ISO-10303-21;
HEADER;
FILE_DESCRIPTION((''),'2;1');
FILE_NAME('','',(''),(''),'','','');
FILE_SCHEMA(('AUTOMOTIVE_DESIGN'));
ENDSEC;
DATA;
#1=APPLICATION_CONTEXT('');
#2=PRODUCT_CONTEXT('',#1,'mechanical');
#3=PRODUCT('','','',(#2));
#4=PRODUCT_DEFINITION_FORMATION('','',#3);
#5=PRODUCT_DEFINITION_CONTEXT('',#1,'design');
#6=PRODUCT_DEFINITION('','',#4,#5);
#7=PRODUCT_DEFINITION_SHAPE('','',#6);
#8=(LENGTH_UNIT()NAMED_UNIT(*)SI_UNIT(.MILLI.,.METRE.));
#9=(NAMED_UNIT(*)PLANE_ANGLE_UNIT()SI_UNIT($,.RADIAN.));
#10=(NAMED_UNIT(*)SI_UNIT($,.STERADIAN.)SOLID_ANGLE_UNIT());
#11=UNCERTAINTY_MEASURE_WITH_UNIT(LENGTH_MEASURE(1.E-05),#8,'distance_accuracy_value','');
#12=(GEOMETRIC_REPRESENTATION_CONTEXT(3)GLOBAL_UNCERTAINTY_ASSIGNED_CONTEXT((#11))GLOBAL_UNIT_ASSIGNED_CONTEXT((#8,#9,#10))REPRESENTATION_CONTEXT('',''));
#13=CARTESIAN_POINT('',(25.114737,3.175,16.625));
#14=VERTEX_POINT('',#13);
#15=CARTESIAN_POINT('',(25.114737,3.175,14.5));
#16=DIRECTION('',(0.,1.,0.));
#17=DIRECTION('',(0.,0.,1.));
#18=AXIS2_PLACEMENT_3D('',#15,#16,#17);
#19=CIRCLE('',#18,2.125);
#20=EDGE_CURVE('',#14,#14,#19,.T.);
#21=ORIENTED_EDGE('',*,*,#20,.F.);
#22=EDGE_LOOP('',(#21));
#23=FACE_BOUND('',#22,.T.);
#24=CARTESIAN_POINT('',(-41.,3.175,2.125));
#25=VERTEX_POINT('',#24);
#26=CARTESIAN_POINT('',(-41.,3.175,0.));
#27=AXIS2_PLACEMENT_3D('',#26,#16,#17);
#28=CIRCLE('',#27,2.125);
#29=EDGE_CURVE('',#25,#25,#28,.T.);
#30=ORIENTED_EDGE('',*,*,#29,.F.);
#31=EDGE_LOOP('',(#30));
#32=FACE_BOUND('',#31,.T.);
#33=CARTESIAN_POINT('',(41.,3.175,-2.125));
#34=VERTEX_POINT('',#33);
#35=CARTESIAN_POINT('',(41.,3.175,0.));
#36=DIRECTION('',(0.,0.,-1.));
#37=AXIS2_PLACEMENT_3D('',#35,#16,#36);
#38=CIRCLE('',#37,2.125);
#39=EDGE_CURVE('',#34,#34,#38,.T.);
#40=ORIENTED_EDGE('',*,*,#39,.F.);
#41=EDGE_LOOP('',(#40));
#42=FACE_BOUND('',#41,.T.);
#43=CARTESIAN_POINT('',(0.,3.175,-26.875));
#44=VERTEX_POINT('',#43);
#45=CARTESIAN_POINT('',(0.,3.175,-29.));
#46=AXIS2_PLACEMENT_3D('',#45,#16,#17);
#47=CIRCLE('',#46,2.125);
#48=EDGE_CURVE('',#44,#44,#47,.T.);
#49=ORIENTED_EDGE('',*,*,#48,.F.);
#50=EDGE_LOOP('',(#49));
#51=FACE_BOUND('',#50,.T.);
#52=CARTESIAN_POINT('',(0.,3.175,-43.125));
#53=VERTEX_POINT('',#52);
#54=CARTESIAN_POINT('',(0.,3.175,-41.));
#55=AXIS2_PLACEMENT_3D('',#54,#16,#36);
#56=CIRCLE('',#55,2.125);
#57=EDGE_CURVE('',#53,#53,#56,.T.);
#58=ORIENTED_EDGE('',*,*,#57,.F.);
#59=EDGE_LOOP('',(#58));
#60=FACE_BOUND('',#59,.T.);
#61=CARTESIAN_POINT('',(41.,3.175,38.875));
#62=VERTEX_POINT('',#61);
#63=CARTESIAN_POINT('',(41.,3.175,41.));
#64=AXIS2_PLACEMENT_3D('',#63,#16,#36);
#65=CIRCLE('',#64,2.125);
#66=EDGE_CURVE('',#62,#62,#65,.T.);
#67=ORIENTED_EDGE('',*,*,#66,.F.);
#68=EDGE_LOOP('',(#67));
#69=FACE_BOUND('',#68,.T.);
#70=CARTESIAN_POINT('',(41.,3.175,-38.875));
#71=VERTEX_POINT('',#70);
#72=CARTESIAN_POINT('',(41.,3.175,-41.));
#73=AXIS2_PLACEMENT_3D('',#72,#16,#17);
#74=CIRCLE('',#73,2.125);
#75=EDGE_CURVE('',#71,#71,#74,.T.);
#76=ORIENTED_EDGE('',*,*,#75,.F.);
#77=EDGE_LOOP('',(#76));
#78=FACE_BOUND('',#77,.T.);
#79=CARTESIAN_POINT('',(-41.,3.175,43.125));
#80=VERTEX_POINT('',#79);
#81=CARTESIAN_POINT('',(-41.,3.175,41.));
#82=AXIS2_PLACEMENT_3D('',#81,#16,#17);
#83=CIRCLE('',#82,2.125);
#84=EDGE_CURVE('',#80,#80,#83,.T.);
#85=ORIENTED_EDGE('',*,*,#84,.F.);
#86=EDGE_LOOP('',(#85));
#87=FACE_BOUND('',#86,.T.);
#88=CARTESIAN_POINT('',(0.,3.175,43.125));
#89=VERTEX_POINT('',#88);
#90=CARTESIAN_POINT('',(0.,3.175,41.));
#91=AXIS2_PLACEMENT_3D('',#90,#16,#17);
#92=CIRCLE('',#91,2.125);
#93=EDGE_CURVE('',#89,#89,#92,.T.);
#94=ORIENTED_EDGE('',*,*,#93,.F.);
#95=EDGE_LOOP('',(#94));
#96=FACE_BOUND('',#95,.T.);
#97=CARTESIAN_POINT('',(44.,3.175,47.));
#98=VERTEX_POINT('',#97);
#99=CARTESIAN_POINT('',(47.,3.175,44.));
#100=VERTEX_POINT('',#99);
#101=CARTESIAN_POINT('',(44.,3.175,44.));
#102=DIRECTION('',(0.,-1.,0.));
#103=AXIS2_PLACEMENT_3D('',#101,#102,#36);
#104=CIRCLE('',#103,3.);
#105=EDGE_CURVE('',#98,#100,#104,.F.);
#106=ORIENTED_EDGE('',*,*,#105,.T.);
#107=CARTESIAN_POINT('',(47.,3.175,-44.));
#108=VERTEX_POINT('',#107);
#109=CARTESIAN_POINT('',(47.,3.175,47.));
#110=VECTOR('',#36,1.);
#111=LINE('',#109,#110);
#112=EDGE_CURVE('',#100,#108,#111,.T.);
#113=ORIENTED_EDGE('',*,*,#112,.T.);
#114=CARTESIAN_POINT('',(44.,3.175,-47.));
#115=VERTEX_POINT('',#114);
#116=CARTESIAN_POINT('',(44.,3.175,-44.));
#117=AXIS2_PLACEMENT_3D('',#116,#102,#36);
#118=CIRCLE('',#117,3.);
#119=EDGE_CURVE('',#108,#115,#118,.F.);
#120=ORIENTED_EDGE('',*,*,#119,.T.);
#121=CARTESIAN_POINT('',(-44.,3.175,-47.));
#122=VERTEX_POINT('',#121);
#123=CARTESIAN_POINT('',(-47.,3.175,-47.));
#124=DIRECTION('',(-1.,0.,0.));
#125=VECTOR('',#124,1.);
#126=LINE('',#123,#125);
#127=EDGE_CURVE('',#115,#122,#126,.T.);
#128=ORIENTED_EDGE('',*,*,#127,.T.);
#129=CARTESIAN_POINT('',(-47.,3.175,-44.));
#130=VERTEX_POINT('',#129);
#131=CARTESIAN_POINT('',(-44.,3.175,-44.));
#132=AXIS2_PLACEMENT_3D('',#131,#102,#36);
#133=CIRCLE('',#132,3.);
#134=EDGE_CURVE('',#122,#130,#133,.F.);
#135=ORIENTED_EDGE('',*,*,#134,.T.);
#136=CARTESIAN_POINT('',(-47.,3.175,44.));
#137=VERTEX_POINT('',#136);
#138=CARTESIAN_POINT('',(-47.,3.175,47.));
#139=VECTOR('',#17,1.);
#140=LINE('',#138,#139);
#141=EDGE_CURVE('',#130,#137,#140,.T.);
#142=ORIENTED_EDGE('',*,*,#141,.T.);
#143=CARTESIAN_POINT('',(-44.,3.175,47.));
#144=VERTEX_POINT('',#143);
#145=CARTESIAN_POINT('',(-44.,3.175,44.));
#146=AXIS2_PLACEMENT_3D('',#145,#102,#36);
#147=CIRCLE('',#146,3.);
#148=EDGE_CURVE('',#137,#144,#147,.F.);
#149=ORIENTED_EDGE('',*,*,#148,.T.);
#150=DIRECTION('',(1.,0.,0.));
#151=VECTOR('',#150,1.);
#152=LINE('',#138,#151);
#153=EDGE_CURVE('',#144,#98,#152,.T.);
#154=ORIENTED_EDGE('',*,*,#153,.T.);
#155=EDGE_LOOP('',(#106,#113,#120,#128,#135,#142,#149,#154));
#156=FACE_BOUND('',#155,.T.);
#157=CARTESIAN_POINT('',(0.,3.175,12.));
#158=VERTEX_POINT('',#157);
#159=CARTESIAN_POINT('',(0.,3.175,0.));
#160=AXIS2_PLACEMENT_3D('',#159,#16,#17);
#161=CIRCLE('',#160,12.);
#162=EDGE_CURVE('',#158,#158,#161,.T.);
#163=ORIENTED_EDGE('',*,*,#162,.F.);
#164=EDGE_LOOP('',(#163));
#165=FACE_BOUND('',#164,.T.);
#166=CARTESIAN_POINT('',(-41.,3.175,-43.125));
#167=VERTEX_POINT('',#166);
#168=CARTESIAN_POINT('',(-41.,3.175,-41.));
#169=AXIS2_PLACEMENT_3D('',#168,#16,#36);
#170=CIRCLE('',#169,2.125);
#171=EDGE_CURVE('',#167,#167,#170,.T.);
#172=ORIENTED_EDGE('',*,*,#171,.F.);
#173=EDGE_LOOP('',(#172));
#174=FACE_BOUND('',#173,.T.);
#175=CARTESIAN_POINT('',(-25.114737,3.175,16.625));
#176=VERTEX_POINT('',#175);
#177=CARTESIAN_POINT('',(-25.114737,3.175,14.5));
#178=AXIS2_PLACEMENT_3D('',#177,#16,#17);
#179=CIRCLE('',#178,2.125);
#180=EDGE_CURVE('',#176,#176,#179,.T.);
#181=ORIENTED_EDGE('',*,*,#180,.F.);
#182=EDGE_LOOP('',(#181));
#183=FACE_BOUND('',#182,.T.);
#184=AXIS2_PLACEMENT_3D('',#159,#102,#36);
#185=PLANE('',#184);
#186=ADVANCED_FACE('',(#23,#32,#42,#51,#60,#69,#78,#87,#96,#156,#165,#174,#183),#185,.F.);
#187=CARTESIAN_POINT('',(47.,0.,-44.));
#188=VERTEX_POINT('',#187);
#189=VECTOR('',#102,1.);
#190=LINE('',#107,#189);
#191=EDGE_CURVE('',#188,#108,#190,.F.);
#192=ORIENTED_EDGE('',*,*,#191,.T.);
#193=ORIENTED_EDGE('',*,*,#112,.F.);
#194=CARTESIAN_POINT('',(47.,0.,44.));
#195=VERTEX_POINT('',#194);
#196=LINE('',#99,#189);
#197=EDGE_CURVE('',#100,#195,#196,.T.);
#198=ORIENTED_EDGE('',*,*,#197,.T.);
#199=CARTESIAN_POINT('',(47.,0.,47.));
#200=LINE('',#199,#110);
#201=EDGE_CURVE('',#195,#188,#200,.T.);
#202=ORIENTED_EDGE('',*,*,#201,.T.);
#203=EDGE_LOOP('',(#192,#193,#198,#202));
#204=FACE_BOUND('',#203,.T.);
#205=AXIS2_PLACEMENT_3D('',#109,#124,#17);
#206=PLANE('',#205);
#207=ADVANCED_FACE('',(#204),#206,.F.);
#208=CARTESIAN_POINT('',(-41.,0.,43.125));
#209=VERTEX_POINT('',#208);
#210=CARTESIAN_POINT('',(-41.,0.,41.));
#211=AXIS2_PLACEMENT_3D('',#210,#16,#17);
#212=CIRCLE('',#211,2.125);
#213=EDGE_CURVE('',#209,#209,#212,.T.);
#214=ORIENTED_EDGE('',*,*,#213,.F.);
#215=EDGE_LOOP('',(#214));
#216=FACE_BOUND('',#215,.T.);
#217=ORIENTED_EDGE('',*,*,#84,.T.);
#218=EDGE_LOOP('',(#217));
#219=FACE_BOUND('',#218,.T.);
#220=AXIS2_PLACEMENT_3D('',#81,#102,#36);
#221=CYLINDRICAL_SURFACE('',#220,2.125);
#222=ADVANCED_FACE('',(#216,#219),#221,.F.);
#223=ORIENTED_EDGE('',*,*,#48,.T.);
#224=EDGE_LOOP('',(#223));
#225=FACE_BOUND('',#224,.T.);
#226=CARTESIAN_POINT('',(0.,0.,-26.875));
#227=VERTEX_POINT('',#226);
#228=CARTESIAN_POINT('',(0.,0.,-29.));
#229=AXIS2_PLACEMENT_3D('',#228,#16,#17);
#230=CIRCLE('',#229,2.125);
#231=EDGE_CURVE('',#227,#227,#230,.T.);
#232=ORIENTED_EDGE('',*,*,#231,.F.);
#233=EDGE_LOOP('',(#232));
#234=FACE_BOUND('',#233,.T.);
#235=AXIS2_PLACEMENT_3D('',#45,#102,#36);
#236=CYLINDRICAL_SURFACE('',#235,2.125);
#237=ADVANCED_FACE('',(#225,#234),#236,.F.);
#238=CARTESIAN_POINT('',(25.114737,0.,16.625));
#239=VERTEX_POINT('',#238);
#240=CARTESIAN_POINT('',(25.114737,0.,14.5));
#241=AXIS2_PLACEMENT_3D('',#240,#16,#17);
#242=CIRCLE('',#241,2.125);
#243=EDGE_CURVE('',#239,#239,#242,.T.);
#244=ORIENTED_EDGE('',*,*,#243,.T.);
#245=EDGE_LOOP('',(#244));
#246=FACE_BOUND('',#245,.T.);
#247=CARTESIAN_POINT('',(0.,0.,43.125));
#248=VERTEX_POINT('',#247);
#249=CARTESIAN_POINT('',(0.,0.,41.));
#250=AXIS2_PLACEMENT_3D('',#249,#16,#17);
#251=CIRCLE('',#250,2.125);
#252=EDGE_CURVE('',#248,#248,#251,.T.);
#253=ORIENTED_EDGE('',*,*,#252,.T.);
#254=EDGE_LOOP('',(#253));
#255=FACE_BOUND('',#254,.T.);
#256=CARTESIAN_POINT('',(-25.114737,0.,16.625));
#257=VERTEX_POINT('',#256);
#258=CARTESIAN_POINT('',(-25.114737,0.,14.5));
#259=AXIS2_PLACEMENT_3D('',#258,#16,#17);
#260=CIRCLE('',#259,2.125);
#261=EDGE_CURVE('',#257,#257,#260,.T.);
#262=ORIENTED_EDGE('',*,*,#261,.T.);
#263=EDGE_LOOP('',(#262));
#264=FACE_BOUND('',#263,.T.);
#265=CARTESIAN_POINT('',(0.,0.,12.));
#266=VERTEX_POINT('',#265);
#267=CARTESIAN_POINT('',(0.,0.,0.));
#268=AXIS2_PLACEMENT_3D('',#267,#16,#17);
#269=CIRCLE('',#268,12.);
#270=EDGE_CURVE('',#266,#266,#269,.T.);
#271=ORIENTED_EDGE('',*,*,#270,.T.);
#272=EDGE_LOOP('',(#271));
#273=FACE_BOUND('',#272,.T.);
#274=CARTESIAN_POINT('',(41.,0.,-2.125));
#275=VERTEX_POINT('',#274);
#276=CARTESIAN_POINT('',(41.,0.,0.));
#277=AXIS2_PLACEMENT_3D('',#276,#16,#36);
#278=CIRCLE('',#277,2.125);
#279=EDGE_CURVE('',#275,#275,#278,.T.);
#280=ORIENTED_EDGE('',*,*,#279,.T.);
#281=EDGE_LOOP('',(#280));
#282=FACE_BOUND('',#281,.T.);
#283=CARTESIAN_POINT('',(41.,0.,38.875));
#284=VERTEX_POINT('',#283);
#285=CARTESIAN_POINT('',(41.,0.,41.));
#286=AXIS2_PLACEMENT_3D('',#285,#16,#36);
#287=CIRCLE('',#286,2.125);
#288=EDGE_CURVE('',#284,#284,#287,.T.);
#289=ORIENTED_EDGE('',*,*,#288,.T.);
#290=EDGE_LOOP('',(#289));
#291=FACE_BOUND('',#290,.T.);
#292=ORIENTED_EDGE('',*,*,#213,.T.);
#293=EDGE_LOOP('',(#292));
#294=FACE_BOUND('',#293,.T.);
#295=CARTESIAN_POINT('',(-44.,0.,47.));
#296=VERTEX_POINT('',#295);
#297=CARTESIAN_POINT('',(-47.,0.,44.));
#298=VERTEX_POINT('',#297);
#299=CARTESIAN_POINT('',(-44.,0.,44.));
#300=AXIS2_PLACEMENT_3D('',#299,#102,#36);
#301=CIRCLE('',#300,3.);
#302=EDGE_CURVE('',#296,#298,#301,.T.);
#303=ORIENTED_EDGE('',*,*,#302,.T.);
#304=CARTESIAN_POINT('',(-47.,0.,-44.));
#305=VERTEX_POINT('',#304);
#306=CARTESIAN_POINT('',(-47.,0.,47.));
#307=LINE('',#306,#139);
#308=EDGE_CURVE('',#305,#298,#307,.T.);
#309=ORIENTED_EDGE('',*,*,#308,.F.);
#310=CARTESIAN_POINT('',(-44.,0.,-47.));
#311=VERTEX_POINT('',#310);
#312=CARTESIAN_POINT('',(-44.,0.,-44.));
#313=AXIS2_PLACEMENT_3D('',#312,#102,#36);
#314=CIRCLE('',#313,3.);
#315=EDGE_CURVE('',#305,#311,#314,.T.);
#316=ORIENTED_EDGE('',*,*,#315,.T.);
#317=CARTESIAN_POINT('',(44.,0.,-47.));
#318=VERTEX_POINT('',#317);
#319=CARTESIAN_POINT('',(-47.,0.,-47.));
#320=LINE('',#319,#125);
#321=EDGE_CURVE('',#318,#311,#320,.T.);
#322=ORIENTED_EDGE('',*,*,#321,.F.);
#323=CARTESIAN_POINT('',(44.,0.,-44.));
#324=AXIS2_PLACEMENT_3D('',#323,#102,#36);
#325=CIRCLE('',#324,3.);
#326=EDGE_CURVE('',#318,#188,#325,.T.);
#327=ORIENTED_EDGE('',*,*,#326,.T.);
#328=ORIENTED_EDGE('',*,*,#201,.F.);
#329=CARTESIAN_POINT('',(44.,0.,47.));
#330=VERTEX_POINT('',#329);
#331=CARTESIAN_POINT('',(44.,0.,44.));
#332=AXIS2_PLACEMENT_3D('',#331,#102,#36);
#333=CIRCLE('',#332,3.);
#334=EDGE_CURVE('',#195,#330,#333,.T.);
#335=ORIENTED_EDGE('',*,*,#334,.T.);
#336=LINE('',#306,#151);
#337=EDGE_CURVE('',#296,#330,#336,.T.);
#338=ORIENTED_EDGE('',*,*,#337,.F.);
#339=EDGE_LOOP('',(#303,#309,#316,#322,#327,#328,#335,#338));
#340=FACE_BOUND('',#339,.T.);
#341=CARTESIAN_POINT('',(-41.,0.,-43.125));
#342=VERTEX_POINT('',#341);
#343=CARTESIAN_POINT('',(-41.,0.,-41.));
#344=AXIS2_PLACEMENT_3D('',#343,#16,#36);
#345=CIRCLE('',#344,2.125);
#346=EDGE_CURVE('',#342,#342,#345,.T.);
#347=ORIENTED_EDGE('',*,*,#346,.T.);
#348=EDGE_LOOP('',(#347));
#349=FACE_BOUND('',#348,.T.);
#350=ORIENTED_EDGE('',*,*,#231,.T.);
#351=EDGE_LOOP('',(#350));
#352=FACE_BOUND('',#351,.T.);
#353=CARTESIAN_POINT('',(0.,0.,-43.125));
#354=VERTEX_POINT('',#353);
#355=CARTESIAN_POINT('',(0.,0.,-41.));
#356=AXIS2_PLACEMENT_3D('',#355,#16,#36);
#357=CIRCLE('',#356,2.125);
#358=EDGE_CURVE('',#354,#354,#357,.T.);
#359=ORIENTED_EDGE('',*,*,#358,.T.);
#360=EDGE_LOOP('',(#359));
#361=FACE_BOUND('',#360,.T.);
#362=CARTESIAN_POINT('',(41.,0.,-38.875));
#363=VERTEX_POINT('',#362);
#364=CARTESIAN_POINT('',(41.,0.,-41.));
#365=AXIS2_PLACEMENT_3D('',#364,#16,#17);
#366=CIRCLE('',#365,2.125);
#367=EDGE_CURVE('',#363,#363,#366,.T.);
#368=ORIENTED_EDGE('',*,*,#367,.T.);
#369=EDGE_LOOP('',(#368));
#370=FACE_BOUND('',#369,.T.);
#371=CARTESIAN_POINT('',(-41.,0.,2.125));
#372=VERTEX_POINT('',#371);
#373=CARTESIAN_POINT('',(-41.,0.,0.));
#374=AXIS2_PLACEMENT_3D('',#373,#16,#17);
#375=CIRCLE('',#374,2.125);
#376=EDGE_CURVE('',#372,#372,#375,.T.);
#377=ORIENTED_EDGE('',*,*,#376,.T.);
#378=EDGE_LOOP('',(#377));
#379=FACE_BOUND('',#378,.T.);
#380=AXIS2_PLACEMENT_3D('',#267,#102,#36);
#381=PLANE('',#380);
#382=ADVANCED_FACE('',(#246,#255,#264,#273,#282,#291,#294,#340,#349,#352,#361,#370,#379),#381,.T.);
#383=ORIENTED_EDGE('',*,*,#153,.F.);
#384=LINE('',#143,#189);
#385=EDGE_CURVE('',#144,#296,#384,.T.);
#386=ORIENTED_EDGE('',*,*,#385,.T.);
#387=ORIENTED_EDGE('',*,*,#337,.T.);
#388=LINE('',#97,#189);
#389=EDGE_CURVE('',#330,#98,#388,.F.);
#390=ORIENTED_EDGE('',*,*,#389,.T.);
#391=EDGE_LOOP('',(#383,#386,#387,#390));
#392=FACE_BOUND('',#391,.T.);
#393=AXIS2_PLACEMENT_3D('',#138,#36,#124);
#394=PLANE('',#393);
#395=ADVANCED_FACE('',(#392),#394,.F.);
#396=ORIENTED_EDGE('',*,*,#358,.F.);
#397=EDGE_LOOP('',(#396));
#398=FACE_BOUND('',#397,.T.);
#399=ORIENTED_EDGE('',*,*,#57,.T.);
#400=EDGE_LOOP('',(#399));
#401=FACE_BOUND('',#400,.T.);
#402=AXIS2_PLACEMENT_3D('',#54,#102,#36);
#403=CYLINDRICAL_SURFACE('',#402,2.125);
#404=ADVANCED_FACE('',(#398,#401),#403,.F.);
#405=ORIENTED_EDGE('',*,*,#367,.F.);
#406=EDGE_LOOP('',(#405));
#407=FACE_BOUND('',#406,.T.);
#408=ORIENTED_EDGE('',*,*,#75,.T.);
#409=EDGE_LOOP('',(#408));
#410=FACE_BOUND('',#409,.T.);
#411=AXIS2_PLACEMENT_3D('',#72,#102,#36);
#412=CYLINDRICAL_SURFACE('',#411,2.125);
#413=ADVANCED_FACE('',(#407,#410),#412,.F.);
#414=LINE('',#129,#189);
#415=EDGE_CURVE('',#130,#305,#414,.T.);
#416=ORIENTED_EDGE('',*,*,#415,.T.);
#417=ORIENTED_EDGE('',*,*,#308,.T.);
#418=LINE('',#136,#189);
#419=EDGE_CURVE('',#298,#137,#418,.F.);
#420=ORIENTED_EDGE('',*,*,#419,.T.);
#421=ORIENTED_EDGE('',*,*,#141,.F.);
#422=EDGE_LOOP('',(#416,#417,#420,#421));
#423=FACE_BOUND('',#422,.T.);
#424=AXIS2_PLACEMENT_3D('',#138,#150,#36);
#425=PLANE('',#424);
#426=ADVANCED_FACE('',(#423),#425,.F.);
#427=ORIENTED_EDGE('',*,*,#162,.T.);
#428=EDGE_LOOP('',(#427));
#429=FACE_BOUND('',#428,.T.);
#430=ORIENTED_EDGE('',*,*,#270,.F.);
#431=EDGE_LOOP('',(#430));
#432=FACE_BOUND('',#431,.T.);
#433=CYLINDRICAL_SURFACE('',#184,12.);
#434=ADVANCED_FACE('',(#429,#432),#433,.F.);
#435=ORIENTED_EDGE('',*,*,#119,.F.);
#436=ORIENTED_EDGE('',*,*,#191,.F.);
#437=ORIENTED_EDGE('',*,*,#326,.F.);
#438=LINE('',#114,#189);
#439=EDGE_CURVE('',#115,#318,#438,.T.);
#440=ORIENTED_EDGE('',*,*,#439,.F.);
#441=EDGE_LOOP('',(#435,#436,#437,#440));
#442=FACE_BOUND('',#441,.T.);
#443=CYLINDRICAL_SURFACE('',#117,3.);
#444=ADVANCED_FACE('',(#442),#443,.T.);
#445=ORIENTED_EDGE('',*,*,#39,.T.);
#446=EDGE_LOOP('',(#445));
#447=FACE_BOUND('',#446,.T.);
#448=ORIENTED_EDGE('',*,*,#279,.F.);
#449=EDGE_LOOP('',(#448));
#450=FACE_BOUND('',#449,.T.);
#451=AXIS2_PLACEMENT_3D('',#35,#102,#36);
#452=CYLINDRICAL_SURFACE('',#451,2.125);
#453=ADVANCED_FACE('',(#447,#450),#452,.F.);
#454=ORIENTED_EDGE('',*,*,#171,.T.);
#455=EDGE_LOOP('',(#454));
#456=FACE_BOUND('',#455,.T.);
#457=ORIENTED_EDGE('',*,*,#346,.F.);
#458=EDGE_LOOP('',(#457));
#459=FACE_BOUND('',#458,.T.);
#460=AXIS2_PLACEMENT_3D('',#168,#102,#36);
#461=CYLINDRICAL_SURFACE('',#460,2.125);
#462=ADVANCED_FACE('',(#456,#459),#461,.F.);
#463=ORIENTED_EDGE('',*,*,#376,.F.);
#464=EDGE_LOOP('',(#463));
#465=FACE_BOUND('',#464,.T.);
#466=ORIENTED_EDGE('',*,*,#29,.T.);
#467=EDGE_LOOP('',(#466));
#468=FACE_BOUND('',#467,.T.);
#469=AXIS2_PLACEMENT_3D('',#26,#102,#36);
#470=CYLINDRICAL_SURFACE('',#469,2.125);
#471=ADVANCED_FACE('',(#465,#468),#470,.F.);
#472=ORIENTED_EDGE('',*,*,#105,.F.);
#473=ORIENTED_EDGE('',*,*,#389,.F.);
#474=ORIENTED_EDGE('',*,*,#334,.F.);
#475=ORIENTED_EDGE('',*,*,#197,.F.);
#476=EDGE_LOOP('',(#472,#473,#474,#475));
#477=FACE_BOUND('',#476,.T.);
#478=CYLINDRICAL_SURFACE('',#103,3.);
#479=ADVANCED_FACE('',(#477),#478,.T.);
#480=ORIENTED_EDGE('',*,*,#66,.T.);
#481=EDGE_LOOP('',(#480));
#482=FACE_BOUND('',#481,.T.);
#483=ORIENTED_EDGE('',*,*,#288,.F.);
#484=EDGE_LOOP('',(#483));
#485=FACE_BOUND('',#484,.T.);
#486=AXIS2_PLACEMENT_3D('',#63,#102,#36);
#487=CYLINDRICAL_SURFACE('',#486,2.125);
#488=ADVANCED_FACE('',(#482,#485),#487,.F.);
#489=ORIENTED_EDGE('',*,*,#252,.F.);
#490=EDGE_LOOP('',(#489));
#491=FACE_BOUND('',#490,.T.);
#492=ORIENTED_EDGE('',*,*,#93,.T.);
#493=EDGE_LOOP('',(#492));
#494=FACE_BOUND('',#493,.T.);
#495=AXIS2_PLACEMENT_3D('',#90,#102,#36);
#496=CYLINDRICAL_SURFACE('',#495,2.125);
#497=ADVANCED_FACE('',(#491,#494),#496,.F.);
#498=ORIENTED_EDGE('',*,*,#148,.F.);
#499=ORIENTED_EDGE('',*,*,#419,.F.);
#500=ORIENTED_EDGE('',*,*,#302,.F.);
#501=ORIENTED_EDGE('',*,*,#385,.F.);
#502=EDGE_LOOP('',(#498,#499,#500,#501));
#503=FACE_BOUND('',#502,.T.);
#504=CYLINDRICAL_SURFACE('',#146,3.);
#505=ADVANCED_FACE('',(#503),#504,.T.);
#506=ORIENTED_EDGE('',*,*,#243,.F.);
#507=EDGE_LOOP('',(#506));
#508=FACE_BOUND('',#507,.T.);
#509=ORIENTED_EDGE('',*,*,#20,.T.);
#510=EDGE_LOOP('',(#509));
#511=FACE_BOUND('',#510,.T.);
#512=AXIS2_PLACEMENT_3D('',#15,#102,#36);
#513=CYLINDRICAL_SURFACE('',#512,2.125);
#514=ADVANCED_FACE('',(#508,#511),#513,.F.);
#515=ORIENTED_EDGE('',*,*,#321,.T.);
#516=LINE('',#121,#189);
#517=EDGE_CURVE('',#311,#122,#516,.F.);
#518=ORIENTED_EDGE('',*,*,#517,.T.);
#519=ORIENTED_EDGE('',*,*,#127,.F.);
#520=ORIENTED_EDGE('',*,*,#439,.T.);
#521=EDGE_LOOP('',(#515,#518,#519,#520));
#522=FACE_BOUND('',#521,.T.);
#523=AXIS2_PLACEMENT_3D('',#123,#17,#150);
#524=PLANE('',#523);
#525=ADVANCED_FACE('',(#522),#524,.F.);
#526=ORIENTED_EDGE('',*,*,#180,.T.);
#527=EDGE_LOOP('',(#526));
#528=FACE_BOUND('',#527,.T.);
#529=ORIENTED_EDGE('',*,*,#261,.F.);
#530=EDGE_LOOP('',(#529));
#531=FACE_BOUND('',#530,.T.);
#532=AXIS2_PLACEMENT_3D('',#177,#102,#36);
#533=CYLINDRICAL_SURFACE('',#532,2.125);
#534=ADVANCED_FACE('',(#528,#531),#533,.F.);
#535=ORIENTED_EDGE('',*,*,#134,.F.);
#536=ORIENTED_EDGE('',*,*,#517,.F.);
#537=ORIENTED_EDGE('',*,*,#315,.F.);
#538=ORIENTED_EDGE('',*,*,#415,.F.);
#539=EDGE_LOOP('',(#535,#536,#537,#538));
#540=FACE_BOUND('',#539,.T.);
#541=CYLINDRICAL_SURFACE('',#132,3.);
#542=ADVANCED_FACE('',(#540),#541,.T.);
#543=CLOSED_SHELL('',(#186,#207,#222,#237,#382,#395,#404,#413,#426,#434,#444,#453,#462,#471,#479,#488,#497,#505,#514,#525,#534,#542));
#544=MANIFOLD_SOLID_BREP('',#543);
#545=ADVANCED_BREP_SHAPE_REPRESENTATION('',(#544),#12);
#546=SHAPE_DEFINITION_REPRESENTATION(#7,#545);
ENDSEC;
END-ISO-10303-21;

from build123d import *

# Parameters (mm, degrees)
SKETCH1_W           = 94
SKETCH1_H           = 94
SKETCH1_R           = 12
SKETCH1_R_2         = 2.125
BOSS_EXTRUDE1_DEPTH = 3.175
FILLET1_R           = 3


with BuildPart() as part:
    # Sketch1 → Boss-Extrude1 (new body)
    with BuildSketch(Plane(origin=(0, 0, 0), x_dir=(1, 0, 0), z_dir=(0, 1, 0))):
        Rectangle(SKETCH1_W, SKETCH1_H)
        with Locations(Location((0, 0, 0), (0, 0, 270))):
            Circle(SKETCH1_R, mode=Mode.SUBTRACT)
        with Locations(Location((0, 29, 0), (0, 0, 270))):
            Circle(SKETCH1_R_2, mode=Mode.SUBTRACT)
        with Locations(Location((25.11473671, -14.5, 0), (0, 0, 270))):
            Circle(SKETCH1_R_2, mode=Mode.SUBTRACT)
        with Locations(Location((-25.11473671, -14.5, 0), (0, 0, 270))):
            Circle(SKETCH1_R_2, mode=Mode.SUBTRACT)
        with Locations(Location((-41, -41, 0), (0, 0, 270))):
            Circle(SKETCH1_R_2, mode=Mode.SUBTRACT)
        with Locations(Location((-41, 0, 0), (0, 0, 270))):
            Circle(SKETCH1_R_2, mode=Mode.SUBTRACT)
        with Locations(Location((-41, 41, 0), (0, 0, 90))):
            Circle(SKETCH1_R_2, mode=Mode.SUBTRACT)
        with Locations(Location((41, -41, 0), (0, 0, 90))):
            Circle(SKETCH1_R_2, mode=Mode.SUBTRACT)
        with Locations(Location((41, 0, 0), (0, 0, 90))):
            Circle(SKETCH1_R_2, mode=Mode.SUBTRACT)
        with Locations(Location((41, 41, 0), (0, 0, 270))):
            Circle(SKETCH1_R_2, mode=Mode.SUBTRACT)
        with Locations(Location((0, -41, 0), (0, 0, 270))):
            Circle(SKETCH1_R_2, mode=Mode.SUBTRACT)
        with Locations(Location((0, 41, 0), (0, 0, 90))):
            Circle(SKETCH1_R_2, mode=Mode.SUBTRACT)
    extrude(amount=BOSS_EXTRUDE1_DEPTH)

    # Fillet1
    fillet1_edges = [part.edges().sort_by_distance(p)[0] for p in [
        (47, 1.5875, 47),
        (-47, 1.5875, 47),
        (-47, 1.5875, -47),
        (47, 1.5875, -47),
    ]]
    fillet(fillet1_edges, radius=FILLET1_R)


solid = part.part
